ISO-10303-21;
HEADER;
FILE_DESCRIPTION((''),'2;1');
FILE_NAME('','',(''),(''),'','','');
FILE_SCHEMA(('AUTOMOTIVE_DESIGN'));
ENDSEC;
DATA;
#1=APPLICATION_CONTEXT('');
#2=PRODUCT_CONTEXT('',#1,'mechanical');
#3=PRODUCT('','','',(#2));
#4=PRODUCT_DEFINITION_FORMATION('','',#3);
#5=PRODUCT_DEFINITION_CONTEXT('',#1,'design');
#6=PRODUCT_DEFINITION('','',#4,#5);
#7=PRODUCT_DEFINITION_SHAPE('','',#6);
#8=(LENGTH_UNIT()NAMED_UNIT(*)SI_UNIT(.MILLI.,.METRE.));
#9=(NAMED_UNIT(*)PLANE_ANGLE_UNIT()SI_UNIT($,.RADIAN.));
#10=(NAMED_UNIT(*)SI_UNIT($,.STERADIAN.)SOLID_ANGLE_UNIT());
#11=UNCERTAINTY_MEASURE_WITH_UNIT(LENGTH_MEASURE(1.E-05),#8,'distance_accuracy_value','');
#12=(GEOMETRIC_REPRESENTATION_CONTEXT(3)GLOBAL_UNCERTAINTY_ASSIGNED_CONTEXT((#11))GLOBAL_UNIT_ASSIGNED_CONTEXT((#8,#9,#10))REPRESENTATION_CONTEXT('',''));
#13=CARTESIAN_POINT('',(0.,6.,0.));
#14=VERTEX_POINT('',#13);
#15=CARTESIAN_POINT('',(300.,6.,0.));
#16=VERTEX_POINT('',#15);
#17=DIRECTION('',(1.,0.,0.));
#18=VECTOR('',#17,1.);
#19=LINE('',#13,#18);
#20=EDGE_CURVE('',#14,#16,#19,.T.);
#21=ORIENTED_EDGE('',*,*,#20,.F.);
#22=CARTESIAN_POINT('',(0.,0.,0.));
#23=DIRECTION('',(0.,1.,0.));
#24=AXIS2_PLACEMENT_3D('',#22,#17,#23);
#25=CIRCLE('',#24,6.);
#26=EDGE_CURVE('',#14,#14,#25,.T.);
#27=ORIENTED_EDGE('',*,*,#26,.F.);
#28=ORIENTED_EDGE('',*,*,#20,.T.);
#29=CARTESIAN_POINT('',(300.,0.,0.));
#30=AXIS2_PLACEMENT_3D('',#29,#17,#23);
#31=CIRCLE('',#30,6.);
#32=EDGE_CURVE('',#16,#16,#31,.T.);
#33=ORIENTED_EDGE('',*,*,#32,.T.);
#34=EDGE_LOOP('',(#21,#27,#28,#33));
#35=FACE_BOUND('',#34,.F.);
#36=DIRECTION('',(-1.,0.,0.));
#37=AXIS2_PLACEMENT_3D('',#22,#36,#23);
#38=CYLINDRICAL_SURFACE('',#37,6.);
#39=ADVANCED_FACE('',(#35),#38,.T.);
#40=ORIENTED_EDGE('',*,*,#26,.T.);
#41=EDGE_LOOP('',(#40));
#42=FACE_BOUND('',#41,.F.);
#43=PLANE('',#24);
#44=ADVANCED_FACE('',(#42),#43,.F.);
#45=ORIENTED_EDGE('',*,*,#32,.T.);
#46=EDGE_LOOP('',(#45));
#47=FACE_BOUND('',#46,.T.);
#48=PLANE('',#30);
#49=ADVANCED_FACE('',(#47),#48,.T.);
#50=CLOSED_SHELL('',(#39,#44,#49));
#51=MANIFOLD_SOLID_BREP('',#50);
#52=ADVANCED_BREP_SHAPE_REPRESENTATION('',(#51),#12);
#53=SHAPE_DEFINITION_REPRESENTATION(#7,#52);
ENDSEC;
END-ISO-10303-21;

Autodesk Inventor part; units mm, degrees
ref_plane "YZ Plane" through (0, 0, 0) normal (1, 0, 0) x (0, 1, 0)
ref_plane "XZ Plane" through (0, 0, 0) normal (0, 1, 0) x (-1, 0, 0)
ref_plane "XY Plane" through (0, 0, 0) normal (0, 0, 1) x (1, 0, 0)
sketch "Szkic1" plane through (0, 0, 0) normal (1, 0, 0) x (0, 1, 0)
  circle A0 centre (0, 0) radius 6
  dimension "d0" = 12
extrude "Wyciągnięcie proste1" add sketch "Szkic1" along normal blind 300
properties part number "pret"
